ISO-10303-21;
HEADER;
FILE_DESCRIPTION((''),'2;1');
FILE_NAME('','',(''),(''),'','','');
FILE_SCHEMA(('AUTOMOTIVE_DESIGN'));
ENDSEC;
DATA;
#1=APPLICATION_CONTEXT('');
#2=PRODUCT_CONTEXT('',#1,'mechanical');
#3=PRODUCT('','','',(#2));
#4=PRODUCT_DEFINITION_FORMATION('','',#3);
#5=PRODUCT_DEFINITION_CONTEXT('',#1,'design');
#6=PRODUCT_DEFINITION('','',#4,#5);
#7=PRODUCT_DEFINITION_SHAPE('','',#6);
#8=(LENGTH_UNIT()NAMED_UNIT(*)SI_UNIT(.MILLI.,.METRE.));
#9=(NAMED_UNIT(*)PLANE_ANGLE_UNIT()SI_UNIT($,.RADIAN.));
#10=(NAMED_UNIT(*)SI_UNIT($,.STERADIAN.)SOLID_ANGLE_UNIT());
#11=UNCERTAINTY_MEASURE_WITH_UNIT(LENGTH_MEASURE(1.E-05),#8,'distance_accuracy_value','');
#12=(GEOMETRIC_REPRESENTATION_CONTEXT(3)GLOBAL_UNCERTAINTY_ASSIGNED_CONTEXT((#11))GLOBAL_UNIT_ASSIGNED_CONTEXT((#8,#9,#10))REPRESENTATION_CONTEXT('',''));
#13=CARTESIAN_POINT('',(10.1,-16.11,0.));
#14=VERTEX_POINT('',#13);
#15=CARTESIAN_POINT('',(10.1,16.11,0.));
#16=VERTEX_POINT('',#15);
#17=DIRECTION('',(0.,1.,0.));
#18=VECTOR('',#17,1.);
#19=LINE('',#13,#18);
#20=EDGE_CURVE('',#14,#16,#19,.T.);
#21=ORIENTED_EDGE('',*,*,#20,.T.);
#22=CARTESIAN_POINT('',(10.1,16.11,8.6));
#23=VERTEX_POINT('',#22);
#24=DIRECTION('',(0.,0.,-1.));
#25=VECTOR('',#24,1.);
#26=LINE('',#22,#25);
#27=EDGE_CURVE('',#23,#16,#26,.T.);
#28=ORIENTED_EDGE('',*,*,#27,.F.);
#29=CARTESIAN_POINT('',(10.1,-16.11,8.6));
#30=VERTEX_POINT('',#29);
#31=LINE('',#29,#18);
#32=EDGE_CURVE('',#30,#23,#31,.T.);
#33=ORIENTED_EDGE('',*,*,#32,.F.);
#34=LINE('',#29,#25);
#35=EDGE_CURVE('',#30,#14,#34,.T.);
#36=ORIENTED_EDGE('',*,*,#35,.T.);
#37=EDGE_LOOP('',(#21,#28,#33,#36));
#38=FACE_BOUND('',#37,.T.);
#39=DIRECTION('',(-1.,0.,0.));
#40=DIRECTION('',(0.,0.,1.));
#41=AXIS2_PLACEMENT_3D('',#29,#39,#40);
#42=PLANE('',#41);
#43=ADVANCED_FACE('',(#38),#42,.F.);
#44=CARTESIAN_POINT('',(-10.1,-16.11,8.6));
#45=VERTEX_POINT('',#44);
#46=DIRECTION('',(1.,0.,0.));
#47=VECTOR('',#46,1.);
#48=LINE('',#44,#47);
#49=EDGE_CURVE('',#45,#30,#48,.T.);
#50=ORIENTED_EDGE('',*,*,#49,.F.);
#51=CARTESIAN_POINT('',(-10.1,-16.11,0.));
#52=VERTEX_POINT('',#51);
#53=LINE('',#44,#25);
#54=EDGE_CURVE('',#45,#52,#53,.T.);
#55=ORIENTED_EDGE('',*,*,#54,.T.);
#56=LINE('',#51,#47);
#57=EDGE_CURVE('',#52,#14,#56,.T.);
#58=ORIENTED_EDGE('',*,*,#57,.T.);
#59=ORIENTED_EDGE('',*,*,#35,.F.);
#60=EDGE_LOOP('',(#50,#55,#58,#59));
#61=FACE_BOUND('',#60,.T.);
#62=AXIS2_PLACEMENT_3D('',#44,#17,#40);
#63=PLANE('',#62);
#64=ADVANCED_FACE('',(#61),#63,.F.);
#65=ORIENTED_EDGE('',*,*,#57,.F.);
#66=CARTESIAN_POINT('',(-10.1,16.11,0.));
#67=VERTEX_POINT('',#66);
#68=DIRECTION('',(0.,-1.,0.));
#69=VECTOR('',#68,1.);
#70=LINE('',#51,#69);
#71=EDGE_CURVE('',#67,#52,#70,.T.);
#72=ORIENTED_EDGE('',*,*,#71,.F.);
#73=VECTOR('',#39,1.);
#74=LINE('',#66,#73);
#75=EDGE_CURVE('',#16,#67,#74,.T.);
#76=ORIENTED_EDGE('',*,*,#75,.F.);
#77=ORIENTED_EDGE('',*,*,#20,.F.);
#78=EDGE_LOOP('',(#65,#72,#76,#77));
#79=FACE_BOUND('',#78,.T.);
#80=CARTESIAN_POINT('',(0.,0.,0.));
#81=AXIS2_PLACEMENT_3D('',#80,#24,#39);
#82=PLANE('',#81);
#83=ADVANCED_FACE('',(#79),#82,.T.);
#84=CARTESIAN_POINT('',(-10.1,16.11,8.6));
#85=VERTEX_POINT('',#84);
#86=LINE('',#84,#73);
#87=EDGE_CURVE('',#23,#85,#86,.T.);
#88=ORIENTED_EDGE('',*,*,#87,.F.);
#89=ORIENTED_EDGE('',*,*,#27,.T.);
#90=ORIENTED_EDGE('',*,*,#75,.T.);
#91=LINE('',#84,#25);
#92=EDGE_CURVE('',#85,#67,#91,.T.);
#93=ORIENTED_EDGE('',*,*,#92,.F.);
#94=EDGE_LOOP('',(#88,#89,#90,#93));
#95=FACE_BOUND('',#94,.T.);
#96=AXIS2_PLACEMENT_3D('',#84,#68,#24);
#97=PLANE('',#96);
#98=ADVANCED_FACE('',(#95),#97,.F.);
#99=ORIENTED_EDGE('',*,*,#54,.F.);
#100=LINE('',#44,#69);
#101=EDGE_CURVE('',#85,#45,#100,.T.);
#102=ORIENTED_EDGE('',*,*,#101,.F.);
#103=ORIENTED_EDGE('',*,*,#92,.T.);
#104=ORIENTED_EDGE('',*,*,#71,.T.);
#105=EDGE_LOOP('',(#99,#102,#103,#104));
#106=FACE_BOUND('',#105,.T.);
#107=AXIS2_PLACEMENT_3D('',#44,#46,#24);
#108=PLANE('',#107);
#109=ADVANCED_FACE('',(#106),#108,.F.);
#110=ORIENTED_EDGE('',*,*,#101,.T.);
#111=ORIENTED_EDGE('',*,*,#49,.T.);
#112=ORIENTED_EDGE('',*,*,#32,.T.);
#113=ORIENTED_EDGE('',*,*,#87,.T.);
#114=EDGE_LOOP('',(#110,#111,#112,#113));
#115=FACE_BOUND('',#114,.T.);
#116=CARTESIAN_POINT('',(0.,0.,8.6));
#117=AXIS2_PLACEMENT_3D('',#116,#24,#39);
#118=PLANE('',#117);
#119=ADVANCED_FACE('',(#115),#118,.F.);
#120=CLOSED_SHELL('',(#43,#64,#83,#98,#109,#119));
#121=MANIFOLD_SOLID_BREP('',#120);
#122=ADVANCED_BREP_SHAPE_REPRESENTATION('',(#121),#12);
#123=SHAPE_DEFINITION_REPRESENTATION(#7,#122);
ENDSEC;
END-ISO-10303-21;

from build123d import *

# Parameters (mm, degrees)
SKETCH1_W      = 20.2
SKETCH1_H      = 32.22
ENVELOPE_DEPTH = 8.6


with BuildPart() as part:
    # Sketch1 → Envelope (new body)
    with BuildSketch(Plane.XY):
        Rectangle(SKETCH1_W, SKETCH1_H)
    extrude(amount=ENVELOPE_DEPTH)


solid = part.part
